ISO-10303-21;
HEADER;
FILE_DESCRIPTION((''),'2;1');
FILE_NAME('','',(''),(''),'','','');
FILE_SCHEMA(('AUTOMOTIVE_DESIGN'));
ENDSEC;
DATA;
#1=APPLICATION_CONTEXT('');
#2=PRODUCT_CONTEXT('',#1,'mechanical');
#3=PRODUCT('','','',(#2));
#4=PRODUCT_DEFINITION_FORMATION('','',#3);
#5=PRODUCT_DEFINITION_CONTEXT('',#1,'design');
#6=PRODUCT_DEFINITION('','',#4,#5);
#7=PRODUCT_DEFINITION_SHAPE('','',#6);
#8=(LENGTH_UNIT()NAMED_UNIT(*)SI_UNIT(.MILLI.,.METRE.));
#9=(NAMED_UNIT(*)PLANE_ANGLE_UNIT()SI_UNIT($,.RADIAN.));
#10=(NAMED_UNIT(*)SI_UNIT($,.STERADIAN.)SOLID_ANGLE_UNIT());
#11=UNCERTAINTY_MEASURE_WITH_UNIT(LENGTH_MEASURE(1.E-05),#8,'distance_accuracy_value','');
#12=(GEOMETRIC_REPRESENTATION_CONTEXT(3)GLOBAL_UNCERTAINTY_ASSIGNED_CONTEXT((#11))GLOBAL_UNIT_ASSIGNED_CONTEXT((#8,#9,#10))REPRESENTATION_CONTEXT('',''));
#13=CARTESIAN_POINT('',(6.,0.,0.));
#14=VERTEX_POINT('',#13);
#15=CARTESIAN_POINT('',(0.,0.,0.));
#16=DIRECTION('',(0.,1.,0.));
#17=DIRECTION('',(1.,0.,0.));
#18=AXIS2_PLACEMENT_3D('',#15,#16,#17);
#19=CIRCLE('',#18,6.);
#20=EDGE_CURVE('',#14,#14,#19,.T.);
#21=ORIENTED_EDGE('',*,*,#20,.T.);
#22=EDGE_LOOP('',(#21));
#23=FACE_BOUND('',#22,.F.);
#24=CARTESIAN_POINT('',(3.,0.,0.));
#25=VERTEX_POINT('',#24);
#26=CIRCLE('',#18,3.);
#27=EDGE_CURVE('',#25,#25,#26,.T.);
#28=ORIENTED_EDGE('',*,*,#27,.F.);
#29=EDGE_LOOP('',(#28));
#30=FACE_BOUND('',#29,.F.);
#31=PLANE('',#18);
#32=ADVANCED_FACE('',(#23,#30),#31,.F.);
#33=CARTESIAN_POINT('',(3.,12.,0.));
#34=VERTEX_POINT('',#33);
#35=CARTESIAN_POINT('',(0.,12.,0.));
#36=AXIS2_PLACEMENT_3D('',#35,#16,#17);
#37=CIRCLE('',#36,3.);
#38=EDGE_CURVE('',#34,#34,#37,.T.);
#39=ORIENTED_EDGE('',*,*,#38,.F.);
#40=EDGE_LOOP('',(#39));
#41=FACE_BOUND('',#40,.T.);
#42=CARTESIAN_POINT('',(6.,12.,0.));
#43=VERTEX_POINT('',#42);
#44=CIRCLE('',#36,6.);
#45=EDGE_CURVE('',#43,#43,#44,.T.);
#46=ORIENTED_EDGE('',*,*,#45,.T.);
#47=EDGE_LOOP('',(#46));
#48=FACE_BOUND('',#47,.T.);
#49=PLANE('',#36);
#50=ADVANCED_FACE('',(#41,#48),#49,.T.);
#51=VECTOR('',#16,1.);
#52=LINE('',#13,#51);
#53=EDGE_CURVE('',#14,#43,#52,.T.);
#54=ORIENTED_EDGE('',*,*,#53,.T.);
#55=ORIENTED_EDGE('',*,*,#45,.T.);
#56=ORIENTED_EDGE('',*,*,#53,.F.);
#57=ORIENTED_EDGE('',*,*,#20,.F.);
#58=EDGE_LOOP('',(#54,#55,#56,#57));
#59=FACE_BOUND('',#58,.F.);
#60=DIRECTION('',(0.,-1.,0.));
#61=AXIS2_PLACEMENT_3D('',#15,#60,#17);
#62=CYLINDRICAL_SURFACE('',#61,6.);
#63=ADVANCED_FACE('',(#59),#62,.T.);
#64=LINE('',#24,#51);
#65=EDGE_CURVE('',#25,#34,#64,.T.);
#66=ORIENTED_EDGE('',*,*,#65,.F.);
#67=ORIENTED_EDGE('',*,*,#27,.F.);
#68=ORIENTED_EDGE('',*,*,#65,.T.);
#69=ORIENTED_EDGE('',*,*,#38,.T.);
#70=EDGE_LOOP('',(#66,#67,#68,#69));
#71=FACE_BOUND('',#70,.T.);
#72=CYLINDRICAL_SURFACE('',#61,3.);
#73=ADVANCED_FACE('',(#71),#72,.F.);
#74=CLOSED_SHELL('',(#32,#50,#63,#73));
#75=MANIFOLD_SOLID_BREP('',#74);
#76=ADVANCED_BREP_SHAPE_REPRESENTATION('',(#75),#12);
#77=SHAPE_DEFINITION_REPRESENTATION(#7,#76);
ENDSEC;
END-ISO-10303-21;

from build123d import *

# Parameters (mm, degrees)
SKETCH_1_R      = 6
SKETCH_1_R_2    = 3
EXTRUDE_1_DEPTH = 12


with BuildPart() as part:
    # 스케치1 → 보스-돌출1 (new body)
    with BuildSketch(Plane(origin=(0, 0, 0), x_dir=(1, 0, 0), z_dir=(0, 1, 0))):
        Circle(SKETCH_1_R)
        Circle(SKETCH_1_R_2, mode=Mode.SUBTRACT)
    extrude(amount=EXTRUDE_1_DEPTH)


solid = part.part
